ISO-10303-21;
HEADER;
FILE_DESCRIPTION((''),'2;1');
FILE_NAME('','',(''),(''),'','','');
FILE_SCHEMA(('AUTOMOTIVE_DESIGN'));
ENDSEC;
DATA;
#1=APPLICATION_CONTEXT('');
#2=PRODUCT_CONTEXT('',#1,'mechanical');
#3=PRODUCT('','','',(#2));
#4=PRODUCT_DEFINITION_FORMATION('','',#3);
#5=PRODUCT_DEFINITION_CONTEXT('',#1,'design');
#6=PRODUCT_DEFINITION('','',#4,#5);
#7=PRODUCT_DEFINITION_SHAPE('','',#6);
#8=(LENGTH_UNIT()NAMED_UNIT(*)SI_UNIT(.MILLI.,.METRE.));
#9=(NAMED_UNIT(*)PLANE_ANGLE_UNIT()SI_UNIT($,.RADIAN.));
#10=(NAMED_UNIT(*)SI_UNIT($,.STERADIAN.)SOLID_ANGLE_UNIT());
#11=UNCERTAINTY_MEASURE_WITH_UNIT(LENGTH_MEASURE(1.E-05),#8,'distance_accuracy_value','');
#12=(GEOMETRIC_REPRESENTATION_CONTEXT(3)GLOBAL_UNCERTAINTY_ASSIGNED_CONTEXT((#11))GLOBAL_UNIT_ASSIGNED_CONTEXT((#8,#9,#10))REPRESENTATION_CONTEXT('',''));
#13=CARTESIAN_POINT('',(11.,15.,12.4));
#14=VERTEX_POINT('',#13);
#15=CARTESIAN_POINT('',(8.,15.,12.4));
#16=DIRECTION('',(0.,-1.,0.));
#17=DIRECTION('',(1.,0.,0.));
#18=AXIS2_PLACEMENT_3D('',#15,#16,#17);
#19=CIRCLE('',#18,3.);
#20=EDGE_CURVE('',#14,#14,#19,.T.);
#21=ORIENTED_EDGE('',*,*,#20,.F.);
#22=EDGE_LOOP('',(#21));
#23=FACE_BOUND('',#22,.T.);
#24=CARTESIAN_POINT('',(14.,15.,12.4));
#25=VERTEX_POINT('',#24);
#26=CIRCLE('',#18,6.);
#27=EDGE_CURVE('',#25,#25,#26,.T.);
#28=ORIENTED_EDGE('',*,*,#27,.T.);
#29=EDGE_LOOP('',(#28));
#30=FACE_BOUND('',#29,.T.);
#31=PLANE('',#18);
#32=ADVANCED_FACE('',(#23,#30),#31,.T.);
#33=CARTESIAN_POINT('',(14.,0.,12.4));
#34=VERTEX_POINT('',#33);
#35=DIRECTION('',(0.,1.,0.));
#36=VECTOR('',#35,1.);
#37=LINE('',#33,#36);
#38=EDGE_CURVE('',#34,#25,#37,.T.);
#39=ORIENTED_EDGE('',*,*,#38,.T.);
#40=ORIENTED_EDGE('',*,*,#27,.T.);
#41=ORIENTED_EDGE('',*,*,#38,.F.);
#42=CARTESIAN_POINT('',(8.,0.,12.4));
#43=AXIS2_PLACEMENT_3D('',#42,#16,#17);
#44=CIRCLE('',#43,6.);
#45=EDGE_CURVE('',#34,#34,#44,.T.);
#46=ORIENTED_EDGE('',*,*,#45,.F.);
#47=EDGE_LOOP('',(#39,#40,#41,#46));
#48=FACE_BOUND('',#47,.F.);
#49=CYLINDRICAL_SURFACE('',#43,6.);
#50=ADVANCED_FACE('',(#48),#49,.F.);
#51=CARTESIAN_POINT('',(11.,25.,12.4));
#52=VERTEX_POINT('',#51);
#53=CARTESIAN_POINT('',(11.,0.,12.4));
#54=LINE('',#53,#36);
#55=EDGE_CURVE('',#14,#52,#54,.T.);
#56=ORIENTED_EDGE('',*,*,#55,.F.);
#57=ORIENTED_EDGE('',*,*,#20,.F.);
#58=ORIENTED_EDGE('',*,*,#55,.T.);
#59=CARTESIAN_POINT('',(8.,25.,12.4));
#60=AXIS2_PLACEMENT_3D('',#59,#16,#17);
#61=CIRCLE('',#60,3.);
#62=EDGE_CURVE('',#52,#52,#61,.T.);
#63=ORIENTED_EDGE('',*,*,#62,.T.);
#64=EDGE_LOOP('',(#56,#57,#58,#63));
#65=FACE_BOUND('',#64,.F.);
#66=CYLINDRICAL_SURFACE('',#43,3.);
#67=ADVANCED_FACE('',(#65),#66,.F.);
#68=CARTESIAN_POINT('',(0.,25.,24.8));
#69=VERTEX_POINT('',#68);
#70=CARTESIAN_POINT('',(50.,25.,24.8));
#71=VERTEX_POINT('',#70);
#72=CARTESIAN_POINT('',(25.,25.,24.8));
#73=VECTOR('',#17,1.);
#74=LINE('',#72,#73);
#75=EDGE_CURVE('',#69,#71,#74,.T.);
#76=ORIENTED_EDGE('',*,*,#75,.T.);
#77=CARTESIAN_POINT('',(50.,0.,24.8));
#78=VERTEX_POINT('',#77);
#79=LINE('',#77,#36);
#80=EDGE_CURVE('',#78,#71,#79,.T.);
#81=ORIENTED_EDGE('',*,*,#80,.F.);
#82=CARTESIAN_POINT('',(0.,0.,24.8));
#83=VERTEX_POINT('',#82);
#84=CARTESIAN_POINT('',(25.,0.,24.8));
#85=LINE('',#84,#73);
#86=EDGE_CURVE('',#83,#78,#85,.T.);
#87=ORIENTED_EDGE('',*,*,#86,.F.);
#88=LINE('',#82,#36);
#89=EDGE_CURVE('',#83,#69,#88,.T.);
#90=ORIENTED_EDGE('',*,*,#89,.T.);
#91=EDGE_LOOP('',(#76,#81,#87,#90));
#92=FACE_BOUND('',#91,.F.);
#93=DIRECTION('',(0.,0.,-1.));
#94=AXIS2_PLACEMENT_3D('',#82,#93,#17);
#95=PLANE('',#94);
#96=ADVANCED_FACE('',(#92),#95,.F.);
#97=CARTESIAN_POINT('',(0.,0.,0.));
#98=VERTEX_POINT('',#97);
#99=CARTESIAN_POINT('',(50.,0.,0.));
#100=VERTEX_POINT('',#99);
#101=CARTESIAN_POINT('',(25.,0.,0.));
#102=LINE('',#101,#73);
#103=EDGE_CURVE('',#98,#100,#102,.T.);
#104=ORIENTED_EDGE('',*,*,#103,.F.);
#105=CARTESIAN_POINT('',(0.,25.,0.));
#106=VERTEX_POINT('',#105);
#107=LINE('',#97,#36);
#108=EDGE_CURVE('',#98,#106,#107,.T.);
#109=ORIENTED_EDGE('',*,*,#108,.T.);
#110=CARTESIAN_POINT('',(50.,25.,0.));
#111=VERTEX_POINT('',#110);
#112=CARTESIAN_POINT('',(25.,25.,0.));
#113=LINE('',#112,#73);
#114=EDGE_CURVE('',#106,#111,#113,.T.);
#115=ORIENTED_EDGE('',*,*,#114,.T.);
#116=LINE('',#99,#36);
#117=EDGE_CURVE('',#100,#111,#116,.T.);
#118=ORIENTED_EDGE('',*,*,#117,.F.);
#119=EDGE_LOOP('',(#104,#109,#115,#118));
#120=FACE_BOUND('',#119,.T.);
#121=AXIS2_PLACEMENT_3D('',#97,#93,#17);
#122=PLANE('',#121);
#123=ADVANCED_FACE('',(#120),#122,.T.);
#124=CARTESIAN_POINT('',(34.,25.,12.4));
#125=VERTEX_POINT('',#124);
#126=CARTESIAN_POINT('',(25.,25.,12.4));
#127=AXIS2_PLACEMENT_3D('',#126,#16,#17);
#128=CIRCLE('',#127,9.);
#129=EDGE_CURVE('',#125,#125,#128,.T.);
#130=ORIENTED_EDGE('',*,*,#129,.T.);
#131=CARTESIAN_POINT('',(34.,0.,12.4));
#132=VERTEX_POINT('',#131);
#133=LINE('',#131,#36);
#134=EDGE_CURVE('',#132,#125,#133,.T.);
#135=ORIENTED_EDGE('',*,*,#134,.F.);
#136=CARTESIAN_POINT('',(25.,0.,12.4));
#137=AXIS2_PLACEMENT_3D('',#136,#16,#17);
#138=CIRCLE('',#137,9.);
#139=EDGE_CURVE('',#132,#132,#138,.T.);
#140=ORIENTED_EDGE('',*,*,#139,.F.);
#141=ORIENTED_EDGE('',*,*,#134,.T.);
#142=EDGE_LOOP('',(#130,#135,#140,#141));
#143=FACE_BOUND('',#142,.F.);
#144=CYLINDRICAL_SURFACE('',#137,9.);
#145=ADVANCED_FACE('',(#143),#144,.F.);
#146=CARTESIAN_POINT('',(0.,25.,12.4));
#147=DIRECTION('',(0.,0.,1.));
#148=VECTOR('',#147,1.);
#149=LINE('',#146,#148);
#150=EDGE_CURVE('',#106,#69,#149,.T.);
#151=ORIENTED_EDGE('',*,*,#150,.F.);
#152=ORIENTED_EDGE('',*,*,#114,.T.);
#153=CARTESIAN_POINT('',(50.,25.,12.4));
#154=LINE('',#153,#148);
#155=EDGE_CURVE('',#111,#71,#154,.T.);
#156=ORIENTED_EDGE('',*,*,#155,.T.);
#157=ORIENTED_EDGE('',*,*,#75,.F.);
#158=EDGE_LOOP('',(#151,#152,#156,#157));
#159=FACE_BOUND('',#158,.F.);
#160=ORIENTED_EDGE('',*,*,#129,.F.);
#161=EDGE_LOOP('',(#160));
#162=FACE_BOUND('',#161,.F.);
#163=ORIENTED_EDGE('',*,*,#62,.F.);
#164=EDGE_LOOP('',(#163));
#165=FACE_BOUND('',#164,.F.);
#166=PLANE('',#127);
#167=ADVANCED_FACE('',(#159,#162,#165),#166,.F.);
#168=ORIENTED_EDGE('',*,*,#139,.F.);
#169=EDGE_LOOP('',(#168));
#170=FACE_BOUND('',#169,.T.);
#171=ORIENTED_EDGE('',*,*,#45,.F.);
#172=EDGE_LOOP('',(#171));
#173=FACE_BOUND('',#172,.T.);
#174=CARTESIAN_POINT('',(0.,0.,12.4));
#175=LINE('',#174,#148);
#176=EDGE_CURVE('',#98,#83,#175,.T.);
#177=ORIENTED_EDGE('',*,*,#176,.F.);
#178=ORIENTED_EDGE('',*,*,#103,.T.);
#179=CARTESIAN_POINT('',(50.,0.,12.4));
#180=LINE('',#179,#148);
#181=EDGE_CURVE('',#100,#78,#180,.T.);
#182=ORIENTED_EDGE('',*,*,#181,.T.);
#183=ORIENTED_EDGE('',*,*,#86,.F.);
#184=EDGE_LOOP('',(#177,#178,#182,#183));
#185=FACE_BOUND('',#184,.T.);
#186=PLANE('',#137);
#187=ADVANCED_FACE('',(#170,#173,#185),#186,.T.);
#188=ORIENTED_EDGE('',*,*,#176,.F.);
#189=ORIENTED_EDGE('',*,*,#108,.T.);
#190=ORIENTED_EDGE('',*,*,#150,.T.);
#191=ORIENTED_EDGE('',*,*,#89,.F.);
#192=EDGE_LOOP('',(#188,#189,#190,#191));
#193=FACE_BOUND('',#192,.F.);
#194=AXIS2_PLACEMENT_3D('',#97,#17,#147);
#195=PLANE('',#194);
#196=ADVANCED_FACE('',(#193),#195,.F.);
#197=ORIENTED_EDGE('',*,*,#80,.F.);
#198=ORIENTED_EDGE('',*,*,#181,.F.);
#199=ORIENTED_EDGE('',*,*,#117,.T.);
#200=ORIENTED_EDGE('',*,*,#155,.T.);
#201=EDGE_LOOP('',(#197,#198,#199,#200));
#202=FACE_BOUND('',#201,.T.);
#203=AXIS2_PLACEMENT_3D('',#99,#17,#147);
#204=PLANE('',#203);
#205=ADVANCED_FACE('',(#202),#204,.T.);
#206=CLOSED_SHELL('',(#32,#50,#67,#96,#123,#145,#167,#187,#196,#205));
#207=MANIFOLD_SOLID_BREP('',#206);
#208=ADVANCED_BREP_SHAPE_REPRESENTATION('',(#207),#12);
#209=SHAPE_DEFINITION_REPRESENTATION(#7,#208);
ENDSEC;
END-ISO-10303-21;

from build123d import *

# Parameters (mm, degrees)
F0_W     = 50
F0_H     = 24.8
F0_R     = 6
F0_R_2   = 9
F0_R_3   = 3
F1_DEPTH = 25
F2_DEPTH = 15


with BuildPart() as f1:
    # F0 (on Front) → F1 (new body)
    with BuildSketch(Plane.XZ):
        with Locations((25, 12.4)):
            Rectangle(F0_W, F0_H)
        with Locations((8, 12.4)):
            Circle(F0_R, mode=Mode.SUBTRACT)
        with Locations((25, 12.4)):
            Circle(F0_R_2, mode=Mode.SUBTRACT)
        with Locations((8, 12.4)):
            Circle(F0_R)
        with Locations((8, 12.4)):
            Circle(F0_R_3, mode=Mode.SUBTRACT)
    extrude(amount=-F1_DEPTH)

    # F0 (on Front) → F2 (cut)
    with BuildSketch(Plane.XZ):
        with Locations((8, 12.4)):
            Circle(F0_R)
        with Locations((8, 12.4)):
            Circle(F0_R_3, mode=Mode.SUBTRACT)
    extrude(amount=-F2_DEPTH, mode=Mode.SUBTRACT)


solid = f1.part
